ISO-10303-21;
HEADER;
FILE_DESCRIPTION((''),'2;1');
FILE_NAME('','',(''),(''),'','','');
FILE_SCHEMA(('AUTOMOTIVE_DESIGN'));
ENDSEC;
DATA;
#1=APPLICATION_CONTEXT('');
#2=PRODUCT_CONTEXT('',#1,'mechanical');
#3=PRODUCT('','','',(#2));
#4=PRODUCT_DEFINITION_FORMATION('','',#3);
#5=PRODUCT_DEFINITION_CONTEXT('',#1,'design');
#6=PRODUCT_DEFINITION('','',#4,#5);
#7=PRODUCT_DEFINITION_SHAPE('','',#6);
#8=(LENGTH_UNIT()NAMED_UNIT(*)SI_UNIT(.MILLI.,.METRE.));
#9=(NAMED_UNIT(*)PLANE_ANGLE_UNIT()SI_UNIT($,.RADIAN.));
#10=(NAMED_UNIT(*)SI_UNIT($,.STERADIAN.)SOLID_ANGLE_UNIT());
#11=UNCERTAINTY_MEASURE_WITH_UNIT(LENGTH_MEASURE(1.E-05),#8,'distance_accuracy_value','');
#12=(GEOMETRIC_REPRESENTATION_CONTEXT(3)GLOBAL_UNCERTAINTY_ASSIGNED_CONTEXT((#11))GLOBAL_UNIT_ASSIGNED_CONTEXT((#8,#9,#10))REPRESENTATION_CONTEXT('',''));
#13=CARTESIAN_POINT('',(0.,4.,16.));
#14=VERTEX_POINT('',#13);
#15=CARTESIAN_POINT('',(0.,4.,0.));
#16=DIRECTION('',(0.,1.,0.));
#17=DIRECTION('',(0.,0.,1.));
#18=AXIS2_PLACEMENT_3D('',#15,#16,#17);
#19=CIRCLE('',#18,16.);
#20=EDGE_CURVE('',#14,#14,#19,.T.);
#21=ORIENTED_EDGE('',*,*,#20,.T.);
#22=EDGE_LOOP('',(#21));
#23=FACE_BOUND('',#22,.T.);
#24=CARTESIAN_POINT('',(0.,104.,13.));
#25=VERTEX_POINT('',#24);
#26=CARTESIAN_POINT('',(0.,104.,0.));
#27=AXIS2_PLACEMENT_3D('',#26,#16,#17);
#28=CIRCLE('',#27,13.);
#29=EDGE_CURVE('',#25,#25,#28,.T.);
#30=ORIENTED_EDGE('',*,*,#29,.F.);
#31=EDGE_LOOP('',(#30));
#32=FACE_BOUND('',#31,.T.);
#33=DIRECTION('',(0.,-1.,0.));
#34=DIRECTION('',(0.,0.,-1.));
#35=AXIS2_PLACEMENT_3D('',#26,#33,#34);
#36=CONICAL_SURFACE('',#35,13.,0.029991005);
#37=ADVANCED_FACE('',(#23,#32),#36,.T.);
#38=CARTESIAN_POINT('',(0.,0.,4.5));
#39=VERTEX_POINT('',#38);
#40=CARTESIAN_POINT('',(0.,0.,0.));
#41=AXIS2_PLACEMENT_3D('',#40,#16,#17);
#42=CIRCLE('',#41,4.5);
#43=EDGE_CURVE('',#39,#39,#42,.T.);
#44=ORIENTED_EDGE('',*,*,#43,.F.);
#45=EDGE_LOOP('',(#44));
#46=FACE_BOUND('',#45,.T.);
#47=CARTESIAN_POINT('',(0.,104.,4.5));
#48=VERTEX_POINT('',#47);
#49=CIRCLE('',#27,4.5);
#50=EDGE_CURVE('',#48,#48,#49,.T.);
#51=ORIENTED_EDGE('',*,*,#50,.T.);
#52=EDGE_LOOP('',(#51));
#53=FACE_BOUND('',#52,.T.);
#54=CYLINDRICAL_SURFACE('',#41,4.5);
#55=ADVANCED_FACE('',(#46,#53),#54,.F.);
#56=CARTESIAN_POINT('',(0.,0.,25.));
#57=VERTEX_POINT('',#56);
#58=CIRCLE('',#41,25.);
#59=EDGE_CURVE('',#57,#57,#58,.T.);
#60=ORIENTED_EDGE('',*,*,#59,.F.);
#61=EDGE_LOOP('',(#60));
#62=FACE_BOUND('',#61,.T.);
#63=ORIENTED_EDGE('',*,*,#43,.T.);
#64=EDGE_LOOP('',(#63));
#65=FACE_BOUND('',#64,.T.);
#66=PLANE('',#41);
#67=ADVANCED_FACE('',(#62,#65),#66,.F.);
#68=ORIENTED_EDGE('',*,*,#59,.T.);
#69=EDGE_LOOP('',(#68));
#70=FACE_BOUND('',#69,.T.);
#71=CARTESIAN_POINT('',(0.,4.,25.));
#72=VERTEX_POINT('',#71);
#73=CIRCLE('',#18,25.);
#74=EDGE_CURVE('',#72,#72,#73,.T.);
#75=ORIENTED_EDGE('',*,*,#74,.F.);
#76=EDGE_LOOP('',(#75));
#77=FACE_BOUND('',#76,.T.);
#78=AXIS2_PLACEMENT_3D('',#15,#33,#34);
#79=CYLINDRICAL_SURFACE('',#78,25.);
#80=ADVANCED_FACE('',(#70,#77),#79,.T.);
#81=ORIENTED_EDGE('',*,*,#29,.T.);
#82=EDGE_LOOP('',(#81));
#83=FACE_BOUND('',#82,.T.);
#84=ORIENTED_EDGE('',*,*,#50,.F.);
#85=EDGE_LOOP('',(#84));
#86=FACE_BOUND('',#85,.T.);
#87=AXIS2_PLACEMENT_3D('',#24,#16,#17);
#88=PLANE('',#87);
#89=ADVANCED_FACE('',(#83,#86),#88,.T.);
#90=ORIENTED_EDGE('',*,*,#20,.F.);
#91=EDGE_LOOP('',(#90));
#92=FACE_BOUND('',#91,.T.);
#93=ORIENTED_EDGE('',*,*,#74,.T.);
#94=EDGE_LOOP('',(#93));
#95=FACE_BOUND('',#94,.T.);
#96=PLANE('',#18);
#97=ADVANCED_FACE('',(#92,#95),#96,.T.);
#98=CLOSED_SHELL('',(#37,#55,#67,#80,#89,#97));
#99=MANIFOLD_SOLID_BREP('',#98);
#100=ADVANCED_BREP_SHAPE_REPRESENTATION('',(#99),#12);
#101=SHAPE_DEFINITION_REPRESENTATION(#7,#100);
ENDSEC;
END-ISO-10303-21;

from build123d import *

# Parameters (mm, degrees)
ESQUISSE1_R                  = 25
BOSS_EXTRU_1_DEPTH           = 4
ENL_V_MAT_EXTRU_1_DEPTH      = 107.066017178
ENL_V_MAT_EXTRU_1_DEPTH_BACK = 107.066017178
ESQUISSE2_R                  = 4.5


with BuildPart() as part:
    # Esquisse1 → Boss.-Extru.1 (new body)
    with BuildSketch(Plane(origin=(0, 0, 0), x_dir=(1, 0, 0), z_dir=(0, 1, 0))):
        Circle(ESQUISSE1_R)
    extrude(amount=BOSS_EXTRU_1_DEPTH)

    # Esquisse3 → Révolution1 (revolve)
    with BuildSketch(Plane(origin=(0, 0, 0), x_dir=(0, 0, -1), z_dir=(1, 0, 0))):
        Polygon((0, 4), (-16, 4), (-13, 104), (0, 104), align=None)
    revolve(axis=Axis((0, 104, 0), (0, -1, 0)))

    # Esquisse2 → Enlèv. mat.-Extru.1 (cut, two sides: drawn at the far end of the back side and taken through both)
    with BuildSketch(Plane(origin=(0, 4, 0), x_dir=(1, 0, 0), z_dir=(0, 1, 0)).offset(-ENL_V_MAT_EXTRU_1_DEPTH_BACK)):
        Circle(ESQUISSE2_R)
    extrude(amount=ENL_V_MAT_EXTRU_1_DEPTH + ENL_V_MAT_EXTRU_1_DEPTH_BACK, mode=Mode.SUBTRACT)


solid = part.part
